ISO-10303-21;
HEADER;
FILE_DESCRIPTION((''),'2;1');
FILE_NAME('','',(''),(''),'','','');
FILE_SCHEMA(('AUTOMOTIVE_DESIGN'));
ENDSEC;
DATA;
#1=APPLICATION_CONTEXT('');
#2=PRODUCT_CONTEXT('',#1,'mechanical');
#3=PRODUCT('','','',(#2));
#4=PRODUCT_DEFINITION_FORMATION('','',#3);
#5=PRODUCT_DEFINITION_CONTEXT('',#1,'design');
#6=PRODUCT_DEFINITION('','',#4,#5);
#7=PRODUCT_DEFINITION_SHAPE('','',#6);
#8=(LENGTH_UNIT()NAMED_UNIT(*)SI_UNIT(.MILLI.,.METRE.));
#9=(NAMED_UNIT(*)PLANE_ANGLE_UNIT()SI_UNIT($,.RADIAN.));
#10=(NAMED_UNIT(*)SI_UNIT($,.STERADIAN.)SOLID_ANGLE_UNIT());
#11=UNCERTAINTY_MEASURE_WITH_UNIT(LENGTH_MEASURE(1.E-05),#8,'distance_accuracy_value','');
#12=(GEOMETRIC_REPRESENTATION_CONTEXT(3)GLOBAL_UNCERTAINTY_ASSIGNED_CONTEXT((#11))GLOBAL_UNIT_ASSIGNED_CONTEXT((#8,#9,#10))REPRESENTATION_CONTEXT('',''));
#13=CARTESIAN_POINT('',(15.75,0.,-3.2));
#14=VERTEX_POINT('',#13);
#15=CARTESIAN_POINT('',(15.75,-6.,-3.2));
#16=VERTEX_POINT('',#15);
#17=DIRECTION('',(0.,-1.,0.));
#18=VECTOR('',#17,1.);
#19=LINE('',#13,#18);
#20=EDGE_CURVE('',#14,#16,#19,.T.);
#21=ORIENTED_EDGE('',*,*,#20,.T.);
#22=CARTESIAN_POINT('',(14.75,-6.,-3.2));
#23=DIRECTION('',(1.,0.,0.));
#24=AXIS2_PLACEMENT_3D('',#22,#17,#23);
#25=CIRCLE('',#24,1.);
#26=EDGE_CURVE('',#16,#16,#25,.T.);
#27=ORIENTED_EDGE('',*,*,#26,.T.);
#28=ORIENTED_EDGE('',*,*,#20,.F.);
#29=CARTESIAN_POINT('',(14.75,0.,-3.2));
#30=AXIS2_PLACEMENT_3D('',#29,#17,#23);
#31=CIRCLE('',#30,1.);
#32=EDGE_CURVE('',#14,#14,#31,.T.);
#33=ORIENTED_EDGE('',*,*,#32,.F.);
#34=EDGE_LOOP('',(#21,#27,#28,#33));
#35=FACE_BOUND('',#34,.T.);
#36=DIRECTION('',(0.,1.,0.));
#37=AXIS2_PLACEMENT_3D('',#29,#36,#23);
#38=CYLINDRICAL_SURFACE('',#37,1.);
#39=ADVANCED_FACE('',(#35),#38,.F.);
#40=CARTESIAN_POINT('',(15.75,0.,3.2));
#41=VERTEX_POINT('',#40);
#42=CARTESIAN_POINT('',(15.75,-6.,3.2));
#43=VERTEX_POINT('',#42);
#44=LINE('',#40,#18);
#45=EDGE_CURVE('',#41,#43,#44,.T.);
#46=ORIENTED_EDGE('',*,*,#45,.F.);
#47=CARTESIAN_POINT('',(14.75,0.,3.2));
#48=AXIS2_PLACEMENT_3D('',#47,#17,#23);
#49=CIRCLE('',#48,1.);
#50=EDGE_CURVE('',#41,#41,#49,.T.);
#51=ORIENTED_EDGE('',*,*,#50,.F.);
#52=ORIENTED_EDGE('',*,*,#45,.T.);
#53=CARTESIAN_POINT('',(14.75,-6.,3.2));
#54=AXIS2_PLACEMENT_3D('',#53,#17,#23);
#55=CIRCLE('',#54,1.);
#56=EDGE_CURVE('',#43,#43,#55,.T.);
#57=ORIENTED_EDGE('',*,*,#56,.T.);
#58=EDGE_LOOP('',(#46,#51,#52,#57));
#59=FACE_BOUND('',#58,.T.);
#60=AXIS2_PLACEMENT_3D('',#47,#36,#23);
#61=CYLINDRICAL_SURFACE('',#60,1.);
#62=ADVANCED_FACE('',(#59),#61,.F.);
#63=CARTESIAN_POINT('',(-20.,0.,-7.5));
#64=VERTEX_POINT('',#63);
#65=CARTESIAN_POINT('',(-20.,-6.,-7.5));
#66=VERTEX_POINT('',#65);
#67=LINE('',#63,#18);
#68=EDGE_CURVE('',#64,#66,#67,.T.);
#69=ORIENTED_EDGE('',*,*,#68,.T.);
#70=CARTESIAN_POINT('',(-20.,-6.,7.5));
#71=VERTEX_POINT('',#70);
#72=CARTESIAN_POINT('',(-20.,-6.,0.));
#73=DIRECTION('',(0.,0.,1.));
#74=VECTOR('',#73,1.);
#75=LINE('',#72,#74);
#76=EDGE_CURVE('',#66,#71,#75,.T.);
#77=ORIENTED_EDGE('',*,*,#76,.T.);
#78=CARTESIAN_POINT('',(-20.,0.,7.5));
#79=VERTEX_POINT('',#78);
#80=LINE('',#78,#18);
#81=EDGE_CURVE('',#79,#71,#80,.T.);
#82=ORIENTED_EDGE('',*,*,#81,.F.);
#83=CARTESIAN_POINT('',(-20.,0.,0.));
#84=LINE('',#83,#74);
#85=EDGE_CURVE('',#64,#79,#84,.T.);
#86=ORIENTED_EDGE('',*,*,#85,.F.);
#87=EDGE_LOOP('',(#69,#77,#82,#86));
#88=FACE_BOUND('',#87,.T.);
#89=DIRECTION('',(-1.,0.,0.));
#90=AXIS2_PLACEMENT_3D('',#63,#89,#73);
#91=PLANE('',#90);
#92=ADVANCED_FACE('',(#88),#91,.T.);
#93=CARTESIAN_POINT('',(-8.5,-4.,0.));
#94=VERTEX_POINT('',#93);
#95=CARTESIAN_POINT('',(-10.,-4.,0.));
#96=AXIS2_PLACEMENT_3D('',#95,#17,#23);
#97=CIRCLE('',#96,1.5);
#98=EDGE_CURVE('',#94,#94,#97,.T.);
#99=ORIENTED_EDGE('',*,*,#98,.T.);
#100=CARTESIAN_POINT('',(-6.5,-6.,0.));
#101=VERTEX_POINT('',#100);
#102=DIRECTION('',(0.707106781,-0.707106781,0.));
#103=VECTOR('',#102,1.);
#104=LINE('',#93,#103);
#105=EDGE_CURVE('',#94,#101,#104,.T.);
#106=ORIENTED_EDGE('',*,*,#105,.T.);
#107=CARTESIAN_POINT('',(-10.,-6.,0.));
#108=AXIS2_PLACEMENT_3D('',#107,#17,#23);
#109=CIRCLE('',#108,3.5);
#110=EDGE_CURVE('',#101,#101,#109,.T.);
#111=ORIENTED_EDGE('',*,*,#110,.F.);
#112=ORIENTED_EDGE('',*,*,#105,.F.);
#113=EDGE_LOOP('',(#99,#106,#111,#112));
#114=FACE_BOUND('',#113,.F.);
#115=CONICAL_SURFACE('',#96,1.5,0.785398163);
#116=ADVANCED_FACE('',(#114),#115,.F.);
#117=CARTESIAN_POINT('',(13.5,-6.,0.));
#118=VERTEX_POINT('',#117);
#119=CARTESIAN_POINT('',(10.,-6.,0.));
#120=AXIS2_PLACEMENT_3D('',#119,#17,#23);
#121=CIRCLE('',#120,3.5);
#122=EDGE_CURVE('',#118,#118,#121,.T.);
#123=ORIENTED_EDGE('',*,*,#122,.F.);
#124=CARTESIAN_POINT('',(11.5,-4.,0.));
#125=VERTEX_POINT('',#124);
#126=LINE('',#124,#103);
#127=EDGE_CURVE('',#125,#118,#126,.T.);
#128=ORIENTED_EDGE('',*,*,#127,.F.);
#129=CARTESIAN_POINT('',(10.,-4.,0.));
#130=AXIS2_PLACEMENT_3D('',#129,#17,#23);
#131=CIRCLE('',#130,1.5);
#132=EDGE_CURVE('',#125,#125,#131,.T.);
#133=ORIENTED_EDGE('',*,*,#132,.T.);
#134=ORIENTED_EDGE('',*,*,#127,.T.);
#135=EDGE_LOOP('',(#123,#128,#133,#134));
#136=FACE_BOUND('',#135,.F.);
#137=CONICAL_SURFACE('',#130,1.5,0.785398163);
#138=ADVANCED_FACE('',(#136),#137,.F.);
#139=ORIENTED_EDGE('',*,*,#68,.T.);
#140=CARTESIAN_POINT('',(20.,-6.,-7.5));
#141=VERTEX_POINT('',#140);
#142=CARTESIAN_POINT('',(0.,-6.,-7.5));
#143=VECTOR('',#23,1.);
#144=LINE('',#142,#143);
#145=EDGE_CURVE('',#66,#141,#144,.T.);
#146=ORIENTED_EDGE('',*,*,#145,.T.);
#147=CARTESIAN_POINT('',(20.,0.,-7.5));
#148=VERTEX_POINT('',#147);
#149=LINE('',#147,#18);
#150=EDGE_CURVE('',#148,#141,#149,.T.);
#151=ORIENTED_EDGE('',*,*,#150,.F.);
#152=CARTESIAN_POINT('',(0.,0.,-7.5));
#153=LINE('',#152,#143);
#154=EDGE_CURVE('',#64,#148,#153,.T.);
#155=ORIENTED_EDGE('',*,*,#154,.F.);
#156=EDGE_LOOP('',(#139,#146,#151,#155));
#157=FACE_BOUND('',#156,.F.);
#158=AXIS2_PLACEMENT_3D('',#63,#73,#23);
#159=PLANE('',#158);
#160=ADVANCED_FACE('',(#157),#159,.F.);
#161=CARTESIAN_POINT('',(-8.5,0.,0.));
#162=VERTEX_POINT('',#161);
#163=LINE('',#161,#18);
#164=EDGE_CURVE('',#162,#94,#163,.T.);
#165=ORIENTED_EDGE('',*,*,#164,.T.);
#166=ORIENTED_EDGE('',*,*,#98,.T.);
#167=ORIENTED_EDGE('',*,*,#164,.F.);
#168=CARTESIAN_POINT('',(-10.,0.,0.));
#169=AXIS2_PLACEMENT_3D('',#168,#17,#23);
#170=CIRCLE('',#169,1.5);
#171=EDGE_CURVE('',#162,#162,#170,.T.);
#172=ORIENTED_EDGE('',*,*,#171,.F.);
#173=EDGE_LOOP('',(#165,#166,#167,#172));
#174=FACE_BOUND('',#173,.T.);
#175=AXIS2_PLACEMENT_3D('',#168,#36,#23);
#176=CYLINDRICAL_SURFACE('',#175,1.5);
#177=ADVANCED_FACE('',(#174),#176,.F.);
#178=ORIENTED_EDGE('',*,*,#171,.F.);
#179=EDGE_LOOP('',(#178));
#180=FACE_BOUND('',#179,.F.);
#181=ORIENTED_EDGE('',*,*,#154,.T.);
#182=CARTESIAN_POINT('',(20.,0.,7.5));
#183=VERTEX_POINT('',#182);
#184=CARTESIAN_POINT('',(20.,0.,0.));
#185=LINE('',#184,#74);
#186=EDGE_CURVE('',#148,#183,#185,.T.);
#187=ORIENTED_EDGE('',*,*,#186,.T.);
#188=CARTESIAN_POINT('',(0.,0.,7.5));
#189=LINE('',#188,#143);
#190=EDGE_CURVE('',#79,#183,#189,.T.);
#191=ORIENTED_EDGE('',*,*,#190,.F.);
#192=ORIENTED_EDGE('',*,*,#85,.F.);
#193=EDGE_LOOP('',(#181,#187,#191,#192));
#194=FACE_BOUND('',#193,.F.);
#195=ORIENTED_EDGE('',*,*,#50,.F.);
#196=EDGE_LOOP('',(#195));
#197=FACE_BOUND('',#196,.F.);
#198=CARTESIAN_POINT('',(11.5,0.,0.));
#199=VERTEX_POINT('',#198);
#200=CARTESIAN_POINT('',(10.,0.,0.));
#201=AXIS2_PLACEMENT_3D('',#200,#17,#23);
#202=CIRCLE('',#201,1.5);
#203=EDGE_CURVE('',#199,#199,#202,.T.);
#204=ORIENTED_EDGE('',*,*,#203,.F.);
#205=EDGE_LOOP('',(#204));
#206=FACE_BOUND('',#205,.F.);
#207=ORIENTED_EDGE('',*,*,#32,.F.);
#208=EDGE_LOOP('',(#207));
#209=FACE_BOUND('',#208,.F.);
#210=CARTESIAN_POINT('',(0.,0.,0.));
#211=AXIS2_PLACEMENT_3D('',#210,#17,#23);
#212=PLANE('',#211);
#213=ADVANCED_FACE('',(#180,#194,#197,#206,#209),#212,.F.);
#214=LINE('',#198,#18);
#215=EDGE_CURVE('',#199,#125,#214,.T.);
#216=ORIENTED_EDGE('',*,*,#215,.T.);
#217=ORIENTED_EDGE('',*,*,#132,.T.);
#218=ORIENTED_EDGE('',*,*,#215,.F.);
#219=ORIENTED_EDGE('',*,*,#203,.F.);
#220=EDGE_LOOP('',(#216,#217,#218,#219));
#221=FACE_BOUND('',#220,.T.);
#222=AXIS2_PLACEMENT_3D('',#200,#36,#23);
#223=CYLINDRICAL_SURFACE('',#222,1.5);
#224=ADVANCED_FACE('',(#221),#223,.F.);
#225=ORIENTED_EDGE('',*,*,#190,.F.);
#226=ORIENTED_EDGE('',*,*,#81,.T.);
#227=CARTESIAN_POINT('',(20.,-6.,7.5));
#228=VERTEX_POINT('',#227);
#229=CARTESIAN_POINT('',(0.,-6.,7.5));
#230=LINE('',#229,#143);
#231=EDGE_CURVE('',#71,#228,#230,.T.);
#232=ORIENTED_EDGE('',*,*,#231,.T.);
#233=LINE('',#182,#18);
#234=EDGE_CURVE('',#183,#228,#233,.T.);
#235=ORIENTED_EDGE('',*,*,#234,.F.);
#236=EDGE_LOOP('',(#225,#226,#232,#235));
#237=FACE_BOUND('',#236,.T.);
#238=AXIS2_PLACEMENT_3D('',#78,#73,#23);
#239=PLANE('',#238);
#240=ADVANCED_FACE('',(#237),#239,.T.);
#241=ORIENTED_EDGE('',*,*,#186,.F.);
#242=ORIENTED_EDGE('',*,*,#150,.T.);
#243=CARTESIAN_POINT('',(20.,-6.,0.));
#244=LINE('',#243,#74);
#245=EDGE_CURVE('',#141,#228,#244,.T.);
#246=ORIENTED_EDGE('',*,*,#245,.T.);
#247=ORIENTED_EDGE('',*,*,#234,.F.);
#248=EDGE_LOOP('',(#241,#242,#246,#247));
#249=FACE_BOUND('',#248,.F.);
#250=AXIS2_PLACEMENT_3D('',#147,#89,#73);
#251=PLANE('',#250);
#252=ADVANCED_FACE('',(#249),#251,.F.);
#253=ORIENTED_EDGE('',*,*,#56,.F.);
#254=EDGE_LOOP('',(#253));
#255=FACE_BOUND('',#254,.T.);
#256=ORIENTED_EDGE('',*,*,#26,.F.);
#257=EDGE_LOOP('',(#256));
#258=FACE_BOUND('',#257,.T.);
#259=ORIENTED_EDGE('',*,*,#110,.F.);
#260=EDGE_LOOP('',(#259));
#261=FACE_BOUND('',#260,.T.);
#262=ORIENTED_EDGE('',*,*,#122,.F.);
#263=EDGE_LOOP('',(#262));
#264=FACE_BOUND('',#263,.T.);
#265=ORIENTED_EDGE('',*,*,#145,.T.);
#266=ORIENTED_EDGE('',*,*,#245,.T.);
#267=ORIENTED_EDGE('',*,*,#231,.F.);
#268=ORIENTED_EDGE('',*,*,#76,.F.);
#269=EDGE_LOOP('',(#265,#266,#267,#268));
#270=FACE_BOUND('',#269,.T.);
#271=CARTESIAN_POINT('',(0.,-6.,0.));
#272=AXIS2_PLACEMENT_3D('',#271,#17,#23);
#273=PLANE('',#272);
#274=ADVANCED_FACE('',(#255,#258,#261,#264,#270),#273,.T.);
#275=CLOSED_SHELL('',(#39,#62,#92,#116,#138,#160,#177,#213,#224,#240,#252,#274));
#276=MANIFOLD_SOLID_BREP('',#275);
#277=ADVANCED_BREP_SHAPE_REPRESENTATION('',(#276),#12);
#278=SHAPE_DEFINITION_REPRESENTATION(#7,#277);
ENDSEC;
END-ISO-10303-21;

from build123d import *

# Parameters (mm, degrees)
F0_W     = 40
F0_H     = 15
F0_R     = 1
F0_R_2   = 1.5
F1_DEPTH = 6
F2_SIZE  = 2


with BuildPart() as f1:
    # F0 (on Front) → F1 (new body)
    with BuildSketch(Plane.XZ):
        Rectangle(F0_W, F0_H)
        with Locations((14.75, -3.2)):
            Circle(F0_R, mode=Mode.SUBTRACT)
        with Locations((-10, 0)):
            Circle(F0_R_2, mode=Mode.SUBTRACT)
        with Locations((10, 0)):
            Circle(F0_R_2, mode=Mode.SUBTRACT)
        with Locations((14.75, 3.2)):
            Circle(F0_R, mode=Mode.SUBTRACT)
    extrude(amount=F1_DEPTH)

    # F2
    f2_edges = [f1.edges().sort_by_distance(p)[0] for p in [
        (-11.5, -6, 0),
        (8.5, -6, 0),
    ]]
    chamfer(f2_edges, length=F2_SIZE)


solid = f1.part
